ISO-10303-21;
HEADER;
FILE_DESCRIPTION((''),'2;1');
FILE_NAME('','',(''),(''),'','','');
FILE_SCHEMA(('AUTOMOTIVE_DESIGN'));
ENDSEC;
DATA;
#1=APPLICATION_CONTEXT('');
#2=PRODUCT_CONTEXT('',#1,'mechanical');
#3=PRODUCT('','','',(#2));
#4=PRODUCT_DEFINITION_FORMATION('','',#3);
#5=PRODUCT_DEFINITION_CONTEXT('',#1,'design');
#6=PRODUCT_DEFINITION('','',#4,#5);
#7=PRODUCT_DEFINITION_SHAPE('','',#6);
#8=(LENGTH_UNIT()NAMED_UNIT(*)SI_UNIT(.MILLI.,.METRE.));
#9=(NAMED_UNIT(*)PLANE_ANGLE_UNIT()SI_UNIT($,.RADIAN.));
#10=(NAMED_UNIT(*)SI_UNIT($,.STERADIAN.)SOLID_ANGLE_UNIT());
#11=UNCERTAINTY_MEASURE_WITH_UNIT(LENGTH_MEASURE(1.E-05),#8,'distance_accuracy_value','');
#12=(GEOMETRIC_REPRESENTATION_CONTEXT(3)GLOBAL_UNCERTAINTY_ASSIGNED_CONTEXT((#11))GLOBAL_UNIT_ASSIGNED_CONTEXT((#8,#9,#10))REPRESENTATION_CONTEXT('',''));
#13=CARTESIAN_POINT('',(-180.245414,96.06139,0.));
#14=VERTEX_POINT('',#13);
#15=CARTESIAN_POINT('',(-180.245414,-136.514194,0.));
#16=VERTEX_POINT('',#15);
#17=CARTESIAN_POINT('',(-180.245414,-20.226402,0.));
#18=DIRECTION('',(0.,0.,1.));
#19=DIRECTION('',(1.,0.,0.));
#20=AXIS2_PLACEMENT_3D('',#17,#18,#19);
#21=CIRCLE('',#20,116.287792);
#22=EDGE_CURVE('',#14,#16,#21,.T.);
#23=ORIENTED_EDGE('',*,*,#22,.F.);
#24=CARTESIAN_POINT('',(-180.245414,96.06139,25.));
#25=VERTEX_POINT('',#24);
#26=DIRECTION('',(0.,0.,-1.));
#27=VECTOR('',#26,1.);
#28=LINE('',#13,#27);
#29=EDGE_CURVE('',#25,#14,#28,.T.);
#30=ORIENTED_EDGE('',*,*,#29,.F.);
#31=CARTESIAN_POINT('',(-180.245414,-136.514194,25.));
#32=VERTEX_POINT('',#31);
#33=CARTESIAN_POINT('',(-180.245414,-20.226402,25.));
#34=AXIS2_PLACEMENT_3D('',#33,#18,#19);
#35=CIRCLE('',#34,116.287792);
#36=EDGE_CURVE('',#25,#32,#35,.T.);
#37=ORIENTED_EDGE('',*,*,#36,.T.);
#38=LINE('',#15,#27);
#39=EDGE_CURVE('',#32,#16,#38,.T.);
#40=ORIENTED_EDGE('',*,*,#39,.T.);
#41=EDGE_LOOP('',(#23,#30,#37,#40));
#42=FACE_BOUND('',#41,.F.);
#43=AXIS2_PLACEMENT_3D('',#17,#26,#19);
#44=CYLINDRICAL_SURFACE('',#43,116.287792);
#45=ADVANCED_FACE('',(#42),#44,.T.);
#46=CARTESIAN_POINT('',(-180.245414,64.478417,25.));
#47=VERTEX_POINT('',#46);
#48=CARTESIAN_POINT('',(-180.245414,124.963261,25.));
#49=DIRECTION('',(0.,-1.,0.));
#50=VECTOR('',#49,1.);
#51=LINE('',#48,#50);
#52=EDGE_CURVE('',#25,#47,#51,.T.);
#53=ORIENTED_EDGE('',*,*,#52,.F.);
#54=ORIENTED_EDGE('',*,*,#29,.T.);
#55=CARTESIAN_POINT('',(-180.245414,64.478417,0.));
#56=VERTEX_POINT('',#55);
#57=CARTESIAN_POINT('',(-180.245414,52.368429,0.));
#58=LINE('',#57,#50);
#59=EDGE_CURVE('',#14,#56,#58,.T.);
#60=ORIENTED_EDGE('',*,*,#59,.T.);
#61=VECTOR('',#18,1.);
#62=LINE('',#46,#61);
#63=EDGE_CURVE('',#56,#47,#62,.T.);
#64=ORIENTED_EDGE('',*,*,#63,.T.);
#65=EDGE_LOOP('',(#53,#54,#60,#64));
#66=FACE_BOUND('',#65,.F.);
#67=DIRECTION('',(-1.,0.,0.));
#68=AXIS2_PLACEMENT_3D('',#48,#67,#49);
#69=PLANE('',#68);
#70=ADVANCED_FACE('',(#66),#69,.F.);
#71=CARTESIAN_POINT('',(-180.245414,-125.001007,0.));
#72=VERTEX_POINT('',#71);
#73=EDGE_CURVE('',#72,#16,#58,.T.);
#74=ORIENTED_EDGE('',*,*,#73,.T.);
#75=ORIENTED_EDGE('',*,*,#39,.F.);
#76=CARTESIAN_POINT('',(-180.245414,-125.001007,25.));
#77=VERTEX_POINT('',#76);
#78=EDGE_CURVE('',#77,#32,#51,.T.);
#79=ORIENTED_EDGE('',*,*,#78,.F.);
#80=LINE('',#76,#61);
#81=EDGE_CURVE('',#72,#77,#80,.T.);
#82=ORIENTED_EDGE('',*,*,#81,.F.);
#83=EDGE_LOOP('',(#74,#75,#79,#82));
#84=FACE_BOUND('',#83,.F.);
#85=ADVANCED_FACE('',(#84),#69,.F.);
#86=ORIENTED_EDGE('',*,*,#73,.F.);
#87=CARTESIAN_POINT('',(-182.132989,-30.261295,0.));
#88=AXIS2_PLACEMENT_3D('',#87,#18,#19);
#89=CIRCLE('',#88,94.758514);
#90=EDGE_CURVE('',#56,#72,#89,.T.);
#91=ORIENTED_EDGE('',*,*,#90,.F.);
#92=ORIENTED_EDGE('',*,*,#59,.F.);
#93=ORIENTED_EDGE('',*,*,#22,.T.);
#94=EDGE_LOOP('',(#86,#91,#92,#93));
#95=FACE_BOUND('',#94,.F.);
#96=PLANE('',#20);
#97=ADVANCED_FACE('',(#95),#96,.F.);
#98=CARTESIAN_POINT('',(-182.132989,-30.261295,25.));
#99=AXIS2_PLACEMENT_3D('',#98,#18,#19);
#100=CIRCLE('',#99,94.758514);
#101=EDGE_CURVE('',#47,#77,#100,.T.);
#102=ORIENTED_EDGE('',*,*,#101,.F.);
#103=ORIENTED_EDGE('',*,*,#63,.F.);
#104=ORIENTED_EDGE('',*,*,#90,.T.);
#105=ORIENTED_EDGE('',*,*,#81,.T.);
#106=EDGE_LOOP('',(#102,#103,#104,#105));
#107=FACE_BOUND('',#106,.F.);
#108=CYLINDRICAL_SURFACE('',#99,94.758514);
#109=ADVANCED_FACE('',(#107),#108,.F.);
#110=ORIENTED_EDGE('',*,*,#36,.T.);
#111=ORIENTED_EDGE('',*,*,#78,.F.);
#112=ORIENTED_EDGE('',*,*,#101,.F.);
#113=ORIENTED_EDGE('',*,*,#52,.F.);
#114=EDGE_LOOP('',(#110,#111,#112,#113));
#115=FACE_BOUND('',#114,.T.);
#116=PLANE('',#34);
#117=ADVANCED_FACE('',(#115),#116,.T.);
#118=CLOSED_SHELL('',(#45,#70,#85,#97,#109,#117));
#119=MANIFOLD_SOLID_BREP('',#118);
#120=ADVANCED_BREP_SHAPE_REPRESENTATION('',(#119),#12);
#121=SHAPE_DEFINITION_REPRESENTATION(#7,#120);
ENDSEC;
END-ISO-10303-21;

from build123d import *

# Parameters (mm, degrees)
F0_R     = 116.287792
F1_DEPTH = 25
F2_R     = 94.758514
F3_DEPTH = 25.001
F5_DEPTH = 25.001


with BuildPart() as f1:
    # F0 (on Top) → F1 (new body)
    with BuildSketch(Plane.XY):
        with Locations((-180.245414, -20.226402)):
            Circle(F0_R)
    extrude(amount=F1_DEPTH)

    # F2 (on face) → F3 (cut, through all)
    with BuildSketch(Plane.XY.offset(25)):
        with Locations((-182.132989, -30.261295)):
            Circle(F2_R)
    extrude(amount=-F3_DEPTH, mode=Mode.SUBTRACT)

    # F4 (on face) → F5 (cut, through all)
    with BuildSketch(Plane.XY.offset(25)):
        Polygon((-180.245414, 124.963261), (-180.245414, -20.226402), (-180.245414, -167.464018), (-41.918594, -167.464018), (-41.918594, 124.963261), align=None)
    extrude(amount=-F5_DEPTH, mode=Mode.SUBTRACT)


solid = f1.part
